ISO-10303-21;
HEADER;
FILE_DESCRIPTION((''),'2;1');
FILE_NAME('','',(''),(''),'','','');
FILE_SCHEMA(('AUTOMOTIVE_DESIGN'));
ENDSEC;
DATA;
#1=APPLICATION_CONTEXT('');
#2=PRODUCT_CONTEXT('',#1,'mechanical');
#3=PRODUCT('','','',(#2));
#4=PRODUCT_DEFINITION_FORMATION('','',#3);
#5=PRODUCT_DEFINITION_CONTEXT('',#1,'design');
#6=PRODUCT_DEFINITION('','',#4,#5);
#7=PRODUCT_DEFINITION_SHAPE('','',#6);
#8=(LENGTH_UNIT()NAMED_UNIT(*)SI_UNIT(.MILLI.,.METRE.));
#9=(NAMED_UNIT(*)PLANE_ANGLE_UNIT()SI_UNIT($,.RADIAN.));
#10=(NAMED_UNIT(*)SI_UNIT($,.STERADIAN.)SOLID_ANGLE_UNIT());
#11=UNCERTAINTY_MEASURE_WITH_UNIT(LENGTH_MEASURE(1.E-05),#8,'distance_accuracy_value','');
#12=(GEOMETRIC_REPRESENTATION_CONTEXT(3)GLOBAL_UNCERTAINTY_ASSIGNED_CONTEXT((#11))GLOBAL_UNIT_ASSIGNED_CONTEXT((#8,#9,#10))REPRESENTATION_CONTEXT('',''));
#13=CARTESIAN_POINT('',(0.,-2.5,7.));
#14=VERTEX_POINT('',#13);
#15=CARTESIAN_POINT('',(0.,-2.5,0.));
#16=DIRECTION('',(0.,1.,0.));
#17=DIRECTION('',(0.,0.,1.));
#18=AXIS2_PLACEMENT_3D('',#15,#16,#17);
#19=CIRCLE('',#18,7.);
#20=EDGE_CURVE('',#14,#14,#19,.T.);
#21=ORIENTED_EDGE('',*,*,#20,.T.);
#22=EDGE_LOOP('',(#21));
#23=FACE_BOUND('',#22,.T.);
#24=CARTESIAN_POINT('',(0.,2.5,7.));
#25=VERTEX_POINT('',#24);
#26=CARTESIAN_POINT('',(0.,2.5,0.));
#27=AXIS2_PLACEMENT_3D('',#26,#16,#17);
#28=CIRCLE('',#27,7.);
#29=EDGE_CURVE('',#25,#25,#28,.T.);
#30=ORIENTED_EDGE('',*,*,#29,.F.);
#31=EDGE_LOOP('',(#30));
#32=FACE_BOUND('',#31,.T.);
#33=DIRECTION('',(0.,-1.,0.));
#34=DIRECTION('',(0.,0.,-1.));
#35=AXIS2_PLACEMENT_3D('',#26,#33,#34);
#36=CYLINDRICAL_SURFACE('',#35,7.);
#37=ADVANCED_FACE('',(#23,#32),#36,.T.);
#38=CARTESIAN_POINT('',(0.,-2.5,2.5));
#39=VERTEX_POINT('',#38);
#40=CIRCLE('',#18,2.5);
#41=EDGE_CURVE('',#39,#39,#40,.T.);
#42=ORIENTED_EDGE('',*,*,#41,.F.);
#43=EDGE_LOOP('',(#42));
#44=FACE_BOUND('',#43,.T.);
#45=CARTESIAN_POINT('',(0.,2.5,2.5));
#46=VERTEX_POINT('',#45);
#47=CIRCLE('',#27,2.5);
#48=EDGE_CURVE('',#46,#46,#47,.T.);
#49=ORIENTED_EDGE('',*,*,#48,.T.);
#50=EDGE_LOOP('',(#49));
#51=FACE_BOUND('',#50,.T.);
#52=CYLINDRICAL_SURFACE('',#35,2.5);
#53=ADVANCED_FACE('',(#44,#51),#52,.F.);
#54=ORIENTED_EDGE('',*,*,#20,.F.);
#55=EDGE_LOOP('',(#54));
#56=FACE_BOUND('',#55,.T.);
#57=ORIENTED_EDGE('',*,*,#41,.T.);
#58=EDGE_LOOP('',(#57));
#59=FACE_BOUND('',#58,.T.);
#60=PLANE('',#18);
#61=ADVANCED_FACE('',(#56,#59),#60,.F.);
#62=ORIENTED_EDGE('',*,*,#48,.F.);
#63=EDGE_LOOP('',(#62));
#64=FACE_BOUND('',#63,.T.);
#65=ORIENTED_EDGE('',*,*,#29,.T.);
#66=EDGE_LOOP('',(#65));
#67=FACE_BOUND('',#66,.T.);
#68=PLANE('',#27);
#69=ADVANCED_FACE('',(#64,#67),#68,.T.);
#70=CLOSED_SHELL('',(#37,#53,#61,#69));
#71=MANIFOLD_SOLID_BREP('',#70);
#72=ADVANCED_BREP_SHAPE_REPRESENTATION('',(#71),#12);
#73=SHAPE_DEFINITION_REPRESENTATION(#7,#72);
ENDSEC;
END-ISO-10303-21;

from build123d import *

# Parameters (mm, degrees)
SKETCH1_R           = 7
SKETCH1_R_2         = 2.5
BOSS_EXTRUDE1_DEPTH = 2.5


with BuildPart() as part:
    # Sketch1 → Boss-Extrude1 (new, symmetric)
    with BuildSketch(Plane(origin=(0, 0, 0), x_dir=(1, 0, 0), z_dir=(0, 1, 0))):
        with Locations(Location((0, 0, 0), (0, 0, 270))):
            Circle(SKETCH1_R)
        with Locations(Location((0, 0, 0), (0, 0, 270))):
            Circle(SKETCH1_R_2, mode=Mode.SUBTRACT)
    extrude(amount=BOSS_EXTRUDE1_DEPTH, both=True)


solid = part.part
